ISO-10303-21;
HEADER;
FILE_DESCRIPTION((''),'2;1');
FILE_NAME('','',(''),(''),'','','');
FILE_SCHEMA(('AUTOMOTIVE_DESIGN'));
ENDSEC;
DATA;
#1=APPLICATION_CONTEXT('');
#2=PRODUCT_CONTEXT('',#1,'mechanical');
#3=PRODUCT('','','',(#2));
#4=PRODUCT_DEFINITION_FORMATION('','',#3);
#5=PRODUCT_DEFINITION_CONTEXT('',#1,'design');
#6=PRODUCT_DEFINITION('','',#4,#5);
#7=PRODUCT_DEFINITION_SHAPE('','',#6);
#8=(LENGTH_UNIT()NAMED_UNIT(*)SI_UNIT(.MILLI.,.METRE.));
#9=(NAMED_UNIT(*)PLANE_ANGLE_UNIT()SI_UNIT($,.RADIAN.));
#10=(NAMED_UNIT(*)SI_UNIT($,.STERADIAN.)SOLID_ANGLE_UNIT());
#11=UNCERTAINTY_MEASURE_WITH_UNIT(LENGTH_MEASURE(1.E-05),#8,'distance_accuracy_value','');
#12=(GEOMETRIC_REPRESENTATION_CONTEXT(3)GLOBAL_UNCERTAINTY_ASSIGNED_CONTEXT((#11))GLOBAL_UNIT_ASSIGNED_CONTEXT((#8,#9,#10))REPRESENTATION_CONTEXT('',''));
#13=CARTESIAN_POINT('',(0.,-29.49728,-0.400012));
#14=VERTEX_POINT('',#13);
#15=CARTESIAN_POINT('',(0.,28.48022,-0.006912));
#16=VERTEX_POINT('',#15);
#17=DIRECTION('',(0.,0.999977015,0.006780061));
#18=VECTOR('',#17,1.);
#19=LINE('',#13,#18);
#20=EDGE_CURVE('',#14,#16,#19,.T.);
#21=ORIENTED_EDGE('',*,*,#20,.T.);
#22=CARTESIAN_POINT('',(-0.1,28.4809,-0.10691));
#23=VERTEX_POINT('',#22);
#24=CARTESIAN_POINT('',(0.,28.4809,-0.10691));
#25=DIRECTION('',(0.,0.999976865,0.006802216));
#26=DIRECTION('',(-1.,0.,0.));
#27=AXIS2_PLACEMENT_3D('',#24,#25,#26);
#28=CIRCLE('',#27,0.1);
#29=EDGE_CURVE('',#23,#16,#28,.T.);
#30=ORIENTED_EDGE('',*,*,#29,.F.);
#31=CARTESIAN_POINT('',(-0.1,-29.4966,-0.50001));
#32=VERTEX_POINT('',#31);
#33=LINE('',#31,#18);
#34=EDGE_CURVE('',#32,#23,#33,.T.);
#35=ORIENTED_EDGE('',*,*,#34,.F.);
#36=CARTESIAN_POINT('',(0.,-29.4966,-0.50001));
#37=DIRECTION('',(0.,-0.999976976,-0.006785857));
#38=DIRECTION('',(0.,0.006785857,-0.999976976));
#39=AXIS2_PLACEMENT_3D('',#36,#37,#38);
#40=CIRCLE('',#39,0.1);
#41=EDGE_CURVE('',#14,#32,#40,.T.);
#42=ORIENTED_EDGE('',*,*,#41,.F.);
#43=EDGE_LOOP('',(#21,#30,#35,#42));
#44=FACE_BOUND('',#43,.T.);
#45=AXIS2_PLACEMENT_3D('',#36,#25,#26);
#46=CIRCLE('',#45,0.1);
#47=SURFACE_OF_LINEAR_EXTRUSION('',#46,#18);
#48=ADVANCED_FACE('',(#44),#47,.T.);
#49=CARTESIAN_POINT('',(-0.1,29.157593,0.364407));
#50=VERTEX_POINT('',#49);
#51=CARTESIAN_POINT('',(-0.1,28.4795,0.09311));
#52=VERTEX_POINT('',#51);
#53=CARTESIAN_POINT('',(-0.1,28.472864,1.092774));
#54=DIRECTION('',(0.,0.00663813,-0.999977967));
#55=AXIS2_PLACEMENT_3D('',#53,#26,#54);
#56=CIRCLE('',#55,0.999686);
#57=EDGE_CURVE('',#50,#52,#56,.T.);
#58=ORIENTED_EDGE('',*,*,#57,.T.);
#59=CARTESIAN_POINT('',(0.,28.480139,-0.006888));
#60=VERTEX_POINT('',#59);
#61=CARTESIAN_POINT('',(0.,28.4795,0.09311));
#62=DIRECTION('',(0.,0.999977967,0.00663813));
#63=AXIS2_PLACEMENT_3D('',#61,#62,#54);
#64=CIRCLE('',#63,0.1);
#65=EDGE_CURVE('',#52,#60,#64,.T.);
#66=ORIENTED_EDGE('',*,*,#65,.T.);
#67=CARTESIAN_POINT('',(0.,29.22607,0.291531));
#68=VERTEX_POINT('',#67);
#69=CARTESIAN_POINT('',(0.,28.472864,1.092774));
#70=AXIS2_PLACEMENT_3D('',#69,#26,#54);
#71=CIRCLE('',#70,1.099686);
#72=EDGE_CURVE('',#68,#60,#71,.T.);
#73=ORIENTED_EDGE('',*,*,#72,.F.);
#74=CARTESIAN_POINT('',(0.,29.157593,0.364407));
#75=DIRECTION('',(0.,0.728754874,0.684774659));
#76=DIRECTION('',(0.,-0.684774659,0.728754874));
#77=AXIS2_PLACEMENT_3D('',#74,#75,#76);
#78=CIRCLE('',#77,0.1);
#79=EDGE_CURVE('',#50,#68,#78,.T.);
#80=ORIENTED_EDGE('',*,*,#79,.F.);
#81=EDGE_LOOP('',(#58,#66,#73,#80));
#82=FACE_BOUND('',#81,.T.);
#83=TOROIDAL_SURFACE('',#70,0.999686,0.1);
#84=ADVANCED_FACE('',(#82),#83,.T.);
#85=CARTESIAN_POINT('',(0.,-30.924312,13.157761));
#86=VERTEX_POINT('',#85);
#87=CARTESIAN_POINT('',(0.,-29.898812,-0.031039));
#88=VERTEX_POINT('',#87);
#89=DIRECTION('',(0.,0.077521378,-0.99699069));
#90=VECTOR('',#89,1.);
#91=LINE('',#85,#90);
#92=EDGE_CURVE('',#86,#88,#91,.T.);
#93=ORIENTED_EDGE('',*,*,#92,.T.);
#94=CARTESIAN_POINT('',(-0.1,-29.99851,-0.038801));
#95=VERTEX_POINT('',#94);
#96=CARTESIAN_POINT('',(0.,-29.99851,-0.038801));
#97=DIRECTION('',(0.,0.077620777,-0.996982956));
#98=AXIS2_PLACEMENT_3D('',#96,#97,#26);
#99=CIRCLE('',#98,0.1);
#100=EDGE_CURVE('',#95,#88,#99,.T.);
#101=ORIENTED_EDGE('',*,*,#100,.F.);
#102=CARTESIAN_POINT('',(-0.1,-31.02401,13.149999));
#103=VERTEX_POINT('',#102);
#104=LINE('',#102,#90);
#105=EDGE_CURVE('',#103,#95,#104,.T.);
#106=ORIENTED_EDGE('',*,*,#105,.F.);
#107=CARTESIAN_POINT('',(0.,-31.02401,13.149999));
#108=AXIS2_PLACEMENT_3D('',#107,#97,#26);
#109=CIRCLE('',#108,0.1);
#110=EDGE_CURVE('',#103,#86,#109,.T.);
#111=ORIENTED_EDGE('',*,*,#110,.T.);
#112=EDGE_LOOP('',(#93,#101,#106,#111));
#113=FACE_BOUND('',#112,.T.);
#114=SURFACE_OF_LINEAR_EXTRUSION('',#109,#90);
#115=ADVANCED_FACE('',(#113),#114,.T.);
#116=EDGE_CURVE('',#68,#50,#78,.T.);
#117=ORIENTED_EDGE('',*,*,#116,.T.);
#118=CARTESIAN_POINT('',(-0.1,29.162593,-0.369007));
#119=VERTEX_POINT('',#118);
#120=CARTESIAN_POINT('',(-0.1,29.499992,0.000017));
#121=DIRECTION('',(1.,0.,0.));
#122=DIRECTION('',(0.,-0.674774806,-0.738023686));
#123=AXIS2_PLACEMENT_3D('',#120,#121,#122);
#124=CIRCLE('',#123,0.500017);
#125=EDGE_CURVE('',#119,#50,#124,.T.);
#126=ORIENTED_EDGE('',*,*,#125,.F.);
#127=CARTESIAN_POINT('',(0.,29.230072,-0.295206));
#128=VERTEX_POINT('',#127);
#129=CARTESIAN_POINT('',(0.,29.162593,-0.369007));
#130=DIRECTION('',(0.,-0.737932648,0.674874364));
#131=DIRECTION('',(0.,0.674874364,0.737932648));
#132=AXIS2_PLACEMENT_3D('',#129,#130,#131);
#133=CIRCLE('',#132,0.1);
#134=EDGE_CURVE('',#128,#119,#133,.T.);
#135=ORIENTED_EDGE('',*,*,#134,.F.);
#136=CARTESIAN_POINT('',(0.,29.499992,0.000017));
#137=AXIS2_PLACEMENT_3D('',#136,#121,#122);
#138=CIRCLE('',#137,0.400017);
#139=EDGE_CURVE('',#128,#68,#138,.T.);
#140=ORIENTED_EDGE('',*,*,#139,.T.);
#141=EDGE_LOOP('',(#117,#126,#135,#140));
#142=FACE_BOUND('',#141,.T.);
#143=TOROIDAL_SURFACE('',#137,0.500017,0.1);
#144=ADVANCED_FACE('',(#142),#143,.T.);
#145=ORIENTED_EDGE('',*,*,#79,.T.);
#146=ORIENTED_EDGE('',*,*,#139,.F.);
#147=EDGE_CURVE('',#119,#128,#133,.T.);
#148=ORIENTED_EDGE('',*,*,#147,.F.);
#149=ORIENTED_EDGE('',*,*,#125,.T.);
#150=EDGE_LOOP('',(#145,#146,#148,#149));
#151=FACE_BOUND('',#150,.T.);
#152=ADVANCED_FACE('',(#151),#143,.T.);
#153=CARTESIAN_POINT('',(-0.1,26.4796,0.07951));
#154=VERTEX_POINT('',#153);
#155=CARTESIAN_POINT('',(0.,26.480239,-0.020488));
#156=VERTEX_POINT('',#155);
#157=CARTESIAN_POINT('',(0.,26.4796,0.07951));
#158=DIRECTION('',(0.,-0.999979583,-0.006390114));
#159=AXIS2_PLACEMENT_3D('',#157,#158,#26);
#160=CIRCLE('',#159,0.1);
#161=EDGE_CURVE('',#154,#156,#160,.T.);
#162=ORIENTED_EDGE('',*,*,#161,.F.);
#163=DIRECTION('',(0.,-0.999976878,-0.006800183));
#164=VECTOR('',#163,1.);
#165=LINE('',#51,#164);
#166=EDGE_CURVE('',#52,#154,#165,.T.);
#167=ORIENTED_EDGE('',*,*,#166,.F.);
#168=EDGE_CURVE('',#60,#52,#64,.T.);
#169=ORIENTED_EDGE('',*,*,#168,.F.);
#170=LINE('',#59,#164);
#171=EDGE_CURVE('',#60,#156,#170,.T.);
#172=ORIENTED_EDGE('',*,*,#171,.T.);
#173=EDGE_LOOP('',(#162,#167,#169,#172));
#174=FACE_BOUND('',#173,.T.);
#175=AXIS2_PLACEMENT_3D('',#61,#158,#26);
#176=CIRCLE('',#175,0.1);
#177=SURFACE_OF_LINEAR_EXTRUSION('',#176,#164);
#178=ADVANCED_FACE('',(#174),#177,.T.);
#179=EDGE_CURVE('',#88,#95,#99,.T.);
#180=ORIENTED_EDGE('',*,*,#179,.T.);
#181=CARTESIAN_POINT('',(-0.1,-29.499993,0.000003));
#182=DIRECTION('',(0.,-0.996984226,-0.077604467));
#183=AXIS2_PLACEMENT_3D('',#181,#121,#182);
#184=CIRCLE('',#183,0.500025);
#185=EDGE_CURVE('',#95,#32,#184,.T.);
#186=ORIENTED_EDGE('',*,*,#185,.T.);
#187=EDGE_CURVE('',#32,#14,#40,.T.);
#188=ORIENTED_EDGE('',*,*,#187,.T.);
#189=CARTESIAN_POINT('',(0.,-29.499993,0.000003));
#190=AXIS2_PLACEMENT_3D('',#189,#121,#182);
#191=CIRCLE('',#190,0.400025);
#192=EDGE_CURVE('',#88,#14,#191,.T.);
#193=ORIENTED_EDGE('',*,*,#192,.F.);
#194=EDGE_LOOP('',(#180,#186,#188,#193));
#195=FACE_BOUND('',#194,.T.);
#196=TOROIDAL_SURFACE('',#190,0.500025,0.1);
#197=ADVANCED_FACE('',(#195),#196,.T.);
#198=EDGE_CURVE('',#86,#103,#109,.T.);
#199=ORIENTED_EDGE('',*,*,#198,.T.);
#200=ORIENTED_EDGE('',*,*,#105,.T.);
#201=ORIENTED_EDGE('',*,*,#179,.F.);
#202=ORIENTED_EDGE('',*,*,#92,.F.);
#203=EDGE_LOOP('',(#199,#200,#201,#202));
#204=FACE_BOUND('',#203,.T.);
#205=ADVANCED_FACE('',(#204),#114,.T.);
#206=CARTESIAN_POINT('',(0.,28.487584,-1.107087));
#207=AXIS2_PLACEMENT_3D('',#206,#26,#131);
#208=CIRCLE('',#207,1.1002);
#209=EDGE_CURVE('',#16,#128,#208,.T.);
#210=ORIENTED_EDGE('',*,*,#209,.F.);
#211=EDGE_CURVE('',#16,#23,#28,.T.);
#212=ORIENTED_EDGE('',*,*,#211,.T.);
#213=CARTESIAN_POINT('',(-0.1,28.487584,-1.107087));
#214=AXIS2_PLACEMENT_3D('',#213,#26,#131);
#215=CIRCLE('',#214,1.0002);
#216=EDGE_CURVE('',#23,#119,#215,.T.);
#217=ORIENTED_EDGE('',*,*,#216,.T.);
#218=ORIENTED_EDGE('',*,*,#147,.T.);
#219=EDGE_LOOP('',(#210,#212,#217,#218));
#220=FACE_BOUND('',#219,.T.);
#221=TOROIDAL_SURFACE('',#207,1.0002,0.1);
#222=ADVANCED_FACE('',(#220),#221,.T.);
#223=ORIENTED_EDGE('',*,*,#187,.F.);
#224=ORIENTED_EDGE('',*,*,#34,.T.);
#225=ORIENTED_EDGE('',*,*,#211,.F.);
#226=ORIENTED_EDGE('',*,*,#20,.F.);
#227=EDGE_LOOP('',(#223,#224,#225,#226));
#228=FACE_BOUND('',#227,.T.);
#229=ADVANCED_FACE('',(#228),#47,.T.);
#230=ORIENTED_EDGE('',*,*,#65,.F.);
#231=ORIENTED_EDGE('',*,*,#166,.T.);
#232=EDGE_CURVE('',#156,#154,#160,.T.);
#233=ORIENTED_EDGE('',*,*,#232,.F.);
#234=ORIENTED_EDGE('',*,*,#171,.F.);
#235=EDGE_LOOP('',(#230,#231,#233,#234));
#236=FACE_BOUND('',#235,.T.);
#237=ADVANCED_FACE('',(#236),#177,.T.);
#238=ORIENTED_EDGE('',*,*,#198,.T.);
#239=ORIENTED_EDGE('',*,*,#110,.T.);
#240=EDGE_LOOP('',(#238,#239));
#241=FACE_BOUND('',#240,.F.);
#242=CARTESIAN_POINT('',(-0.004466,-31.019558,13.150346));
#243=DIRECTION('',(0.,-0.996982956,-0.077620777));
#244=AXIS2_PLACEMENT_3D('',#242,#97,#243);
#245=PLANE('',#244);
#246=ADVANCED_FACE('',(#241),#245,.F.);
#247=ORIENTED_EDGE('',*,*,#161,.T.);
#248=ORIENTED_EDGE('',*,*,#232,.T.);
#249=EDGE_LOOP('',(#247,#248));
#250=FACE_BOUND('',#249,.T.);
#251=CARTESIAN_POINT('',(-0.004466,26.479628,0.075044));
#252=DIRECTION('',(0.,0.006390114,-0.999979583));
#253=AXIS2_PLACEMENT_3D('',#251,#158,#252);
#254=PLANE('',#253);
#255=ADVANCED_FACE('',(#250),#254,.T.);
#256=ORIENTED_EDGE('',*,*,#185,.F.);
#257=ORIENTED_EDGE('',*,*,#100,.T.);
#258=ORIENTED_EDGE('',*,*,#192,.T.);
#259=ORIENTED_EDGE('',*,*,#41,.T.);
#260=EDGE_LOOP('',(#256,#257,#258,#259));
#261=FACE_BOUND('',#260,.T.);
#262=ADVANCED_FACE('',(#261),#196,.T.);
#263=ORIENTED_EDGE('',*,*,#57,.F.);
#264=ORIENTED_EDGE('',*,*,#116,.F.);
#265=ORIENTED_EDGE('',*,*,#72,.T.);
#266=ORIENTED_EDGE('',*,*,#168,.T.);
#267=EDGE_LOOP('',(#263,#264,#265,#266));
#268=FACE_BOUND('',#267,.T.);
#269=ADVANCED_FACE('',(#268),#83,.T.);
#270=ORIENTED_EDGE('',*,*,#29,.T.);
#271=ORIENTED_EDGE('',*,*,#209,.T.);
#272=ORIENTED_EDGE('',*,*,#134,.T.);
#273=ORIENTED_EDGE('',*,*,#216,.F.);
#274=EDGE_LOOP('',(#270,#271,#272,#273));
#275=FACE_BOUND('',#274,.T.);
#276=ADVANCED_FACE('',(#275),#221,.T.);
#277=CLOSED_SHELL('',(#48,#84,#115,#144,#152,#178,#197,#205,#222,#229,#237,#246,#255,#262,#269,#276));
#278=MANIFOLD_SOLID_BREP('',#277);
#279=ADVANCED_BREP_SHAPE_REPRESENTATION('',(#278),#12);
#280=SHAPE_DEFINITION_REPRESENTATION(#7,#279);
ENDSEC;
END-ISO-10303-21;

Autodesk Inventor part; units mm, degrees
ref_plane "YZ Plane" through (0, 0, 0) normal (1, 0, 0) x (0, 1, 0)
ref_plane "XY Plane" through (0, 0, 0) normal (0, 0, 1) x (1, 0, 0)
sketch "Sketch2" plane through (0, 0, 0) normal (1, 0, 0) x (0, 1, 0)
  circle A0 centre (-29.5, 0) radius 0.4 construction
  circle A1 centre (29.5, 0) radius 0.4 construction
  line L0 (-29.5, 0) -> (29.5, 0) construction
  line L1 (-31.024, 13.15) -> (-29.9985, -0.0388)
  arc A2 (-29.9985, -0.0388) -> (-29.4966, -0.5) centre (-29.5, 0) ccw
  line L2 (-29.4966, -0.5) -> (28.4809, -0.1069)
  arc A3 (29.1626, -0.369) -> (28.4809, -0.1069) centre (28.4877, -1.1069) ccw
  arc A4 (29.1626, -0.369) -> (29.1576, 0.3644) centre (29.5, 0) ccw
  arc A5 (28.4795, 0.0931) -> (29.1576, 0.3644) centre (28.4728, 1.0931) ccw
  line L3 (28.4795, 0.0931) -> (26.4796, 0.0795)
  circle A6 centre (29.1626, -0.369) radius 0.1 construction
  line L4 (28.4795, 0.0931) -> (28.4809, -0.1069) construction
  line L5 (28.4802, -0.0069) -> (29.5, 0) construction
  point P0 (0, 0)
  point P1 (0, 0)
  dimension "d5" = 0.8
  dimension "d6" = 59
  dimension "d7" = 0.2
  dimension "d8" = 0.2
  dimension "d9" = 1
  dimension "d10" = 2
  dimension "d11" = 1.524
  dimension "d12" = 13.15
ref_plane "Work Plane1" through (0, 29.5, 0) normal (0, 1, 0) x (-1, 0, 0)
sketch "Sketch3" plane through (0, 29.5, 0) normal (0, 1, 0) x (-1, 0, 0)
  line L0 (0, 0.5) -> (0, -0.5) projected
  circle A0 centre (0, -0.5) radius 0.1
  point P0 (0, 0)
  point P1 (0, -0.369)
  point P2 (0, 0.3644)
  dimension "d13" = 0.2
sweep "Sweep1" add profiles "Sketch3" path "Sketch2"
equation "\"d8\" = d7"
equation "\"d13\" = d7"
properties part number "+XPanel_AntennaString" material "Acrylic, Clear"
